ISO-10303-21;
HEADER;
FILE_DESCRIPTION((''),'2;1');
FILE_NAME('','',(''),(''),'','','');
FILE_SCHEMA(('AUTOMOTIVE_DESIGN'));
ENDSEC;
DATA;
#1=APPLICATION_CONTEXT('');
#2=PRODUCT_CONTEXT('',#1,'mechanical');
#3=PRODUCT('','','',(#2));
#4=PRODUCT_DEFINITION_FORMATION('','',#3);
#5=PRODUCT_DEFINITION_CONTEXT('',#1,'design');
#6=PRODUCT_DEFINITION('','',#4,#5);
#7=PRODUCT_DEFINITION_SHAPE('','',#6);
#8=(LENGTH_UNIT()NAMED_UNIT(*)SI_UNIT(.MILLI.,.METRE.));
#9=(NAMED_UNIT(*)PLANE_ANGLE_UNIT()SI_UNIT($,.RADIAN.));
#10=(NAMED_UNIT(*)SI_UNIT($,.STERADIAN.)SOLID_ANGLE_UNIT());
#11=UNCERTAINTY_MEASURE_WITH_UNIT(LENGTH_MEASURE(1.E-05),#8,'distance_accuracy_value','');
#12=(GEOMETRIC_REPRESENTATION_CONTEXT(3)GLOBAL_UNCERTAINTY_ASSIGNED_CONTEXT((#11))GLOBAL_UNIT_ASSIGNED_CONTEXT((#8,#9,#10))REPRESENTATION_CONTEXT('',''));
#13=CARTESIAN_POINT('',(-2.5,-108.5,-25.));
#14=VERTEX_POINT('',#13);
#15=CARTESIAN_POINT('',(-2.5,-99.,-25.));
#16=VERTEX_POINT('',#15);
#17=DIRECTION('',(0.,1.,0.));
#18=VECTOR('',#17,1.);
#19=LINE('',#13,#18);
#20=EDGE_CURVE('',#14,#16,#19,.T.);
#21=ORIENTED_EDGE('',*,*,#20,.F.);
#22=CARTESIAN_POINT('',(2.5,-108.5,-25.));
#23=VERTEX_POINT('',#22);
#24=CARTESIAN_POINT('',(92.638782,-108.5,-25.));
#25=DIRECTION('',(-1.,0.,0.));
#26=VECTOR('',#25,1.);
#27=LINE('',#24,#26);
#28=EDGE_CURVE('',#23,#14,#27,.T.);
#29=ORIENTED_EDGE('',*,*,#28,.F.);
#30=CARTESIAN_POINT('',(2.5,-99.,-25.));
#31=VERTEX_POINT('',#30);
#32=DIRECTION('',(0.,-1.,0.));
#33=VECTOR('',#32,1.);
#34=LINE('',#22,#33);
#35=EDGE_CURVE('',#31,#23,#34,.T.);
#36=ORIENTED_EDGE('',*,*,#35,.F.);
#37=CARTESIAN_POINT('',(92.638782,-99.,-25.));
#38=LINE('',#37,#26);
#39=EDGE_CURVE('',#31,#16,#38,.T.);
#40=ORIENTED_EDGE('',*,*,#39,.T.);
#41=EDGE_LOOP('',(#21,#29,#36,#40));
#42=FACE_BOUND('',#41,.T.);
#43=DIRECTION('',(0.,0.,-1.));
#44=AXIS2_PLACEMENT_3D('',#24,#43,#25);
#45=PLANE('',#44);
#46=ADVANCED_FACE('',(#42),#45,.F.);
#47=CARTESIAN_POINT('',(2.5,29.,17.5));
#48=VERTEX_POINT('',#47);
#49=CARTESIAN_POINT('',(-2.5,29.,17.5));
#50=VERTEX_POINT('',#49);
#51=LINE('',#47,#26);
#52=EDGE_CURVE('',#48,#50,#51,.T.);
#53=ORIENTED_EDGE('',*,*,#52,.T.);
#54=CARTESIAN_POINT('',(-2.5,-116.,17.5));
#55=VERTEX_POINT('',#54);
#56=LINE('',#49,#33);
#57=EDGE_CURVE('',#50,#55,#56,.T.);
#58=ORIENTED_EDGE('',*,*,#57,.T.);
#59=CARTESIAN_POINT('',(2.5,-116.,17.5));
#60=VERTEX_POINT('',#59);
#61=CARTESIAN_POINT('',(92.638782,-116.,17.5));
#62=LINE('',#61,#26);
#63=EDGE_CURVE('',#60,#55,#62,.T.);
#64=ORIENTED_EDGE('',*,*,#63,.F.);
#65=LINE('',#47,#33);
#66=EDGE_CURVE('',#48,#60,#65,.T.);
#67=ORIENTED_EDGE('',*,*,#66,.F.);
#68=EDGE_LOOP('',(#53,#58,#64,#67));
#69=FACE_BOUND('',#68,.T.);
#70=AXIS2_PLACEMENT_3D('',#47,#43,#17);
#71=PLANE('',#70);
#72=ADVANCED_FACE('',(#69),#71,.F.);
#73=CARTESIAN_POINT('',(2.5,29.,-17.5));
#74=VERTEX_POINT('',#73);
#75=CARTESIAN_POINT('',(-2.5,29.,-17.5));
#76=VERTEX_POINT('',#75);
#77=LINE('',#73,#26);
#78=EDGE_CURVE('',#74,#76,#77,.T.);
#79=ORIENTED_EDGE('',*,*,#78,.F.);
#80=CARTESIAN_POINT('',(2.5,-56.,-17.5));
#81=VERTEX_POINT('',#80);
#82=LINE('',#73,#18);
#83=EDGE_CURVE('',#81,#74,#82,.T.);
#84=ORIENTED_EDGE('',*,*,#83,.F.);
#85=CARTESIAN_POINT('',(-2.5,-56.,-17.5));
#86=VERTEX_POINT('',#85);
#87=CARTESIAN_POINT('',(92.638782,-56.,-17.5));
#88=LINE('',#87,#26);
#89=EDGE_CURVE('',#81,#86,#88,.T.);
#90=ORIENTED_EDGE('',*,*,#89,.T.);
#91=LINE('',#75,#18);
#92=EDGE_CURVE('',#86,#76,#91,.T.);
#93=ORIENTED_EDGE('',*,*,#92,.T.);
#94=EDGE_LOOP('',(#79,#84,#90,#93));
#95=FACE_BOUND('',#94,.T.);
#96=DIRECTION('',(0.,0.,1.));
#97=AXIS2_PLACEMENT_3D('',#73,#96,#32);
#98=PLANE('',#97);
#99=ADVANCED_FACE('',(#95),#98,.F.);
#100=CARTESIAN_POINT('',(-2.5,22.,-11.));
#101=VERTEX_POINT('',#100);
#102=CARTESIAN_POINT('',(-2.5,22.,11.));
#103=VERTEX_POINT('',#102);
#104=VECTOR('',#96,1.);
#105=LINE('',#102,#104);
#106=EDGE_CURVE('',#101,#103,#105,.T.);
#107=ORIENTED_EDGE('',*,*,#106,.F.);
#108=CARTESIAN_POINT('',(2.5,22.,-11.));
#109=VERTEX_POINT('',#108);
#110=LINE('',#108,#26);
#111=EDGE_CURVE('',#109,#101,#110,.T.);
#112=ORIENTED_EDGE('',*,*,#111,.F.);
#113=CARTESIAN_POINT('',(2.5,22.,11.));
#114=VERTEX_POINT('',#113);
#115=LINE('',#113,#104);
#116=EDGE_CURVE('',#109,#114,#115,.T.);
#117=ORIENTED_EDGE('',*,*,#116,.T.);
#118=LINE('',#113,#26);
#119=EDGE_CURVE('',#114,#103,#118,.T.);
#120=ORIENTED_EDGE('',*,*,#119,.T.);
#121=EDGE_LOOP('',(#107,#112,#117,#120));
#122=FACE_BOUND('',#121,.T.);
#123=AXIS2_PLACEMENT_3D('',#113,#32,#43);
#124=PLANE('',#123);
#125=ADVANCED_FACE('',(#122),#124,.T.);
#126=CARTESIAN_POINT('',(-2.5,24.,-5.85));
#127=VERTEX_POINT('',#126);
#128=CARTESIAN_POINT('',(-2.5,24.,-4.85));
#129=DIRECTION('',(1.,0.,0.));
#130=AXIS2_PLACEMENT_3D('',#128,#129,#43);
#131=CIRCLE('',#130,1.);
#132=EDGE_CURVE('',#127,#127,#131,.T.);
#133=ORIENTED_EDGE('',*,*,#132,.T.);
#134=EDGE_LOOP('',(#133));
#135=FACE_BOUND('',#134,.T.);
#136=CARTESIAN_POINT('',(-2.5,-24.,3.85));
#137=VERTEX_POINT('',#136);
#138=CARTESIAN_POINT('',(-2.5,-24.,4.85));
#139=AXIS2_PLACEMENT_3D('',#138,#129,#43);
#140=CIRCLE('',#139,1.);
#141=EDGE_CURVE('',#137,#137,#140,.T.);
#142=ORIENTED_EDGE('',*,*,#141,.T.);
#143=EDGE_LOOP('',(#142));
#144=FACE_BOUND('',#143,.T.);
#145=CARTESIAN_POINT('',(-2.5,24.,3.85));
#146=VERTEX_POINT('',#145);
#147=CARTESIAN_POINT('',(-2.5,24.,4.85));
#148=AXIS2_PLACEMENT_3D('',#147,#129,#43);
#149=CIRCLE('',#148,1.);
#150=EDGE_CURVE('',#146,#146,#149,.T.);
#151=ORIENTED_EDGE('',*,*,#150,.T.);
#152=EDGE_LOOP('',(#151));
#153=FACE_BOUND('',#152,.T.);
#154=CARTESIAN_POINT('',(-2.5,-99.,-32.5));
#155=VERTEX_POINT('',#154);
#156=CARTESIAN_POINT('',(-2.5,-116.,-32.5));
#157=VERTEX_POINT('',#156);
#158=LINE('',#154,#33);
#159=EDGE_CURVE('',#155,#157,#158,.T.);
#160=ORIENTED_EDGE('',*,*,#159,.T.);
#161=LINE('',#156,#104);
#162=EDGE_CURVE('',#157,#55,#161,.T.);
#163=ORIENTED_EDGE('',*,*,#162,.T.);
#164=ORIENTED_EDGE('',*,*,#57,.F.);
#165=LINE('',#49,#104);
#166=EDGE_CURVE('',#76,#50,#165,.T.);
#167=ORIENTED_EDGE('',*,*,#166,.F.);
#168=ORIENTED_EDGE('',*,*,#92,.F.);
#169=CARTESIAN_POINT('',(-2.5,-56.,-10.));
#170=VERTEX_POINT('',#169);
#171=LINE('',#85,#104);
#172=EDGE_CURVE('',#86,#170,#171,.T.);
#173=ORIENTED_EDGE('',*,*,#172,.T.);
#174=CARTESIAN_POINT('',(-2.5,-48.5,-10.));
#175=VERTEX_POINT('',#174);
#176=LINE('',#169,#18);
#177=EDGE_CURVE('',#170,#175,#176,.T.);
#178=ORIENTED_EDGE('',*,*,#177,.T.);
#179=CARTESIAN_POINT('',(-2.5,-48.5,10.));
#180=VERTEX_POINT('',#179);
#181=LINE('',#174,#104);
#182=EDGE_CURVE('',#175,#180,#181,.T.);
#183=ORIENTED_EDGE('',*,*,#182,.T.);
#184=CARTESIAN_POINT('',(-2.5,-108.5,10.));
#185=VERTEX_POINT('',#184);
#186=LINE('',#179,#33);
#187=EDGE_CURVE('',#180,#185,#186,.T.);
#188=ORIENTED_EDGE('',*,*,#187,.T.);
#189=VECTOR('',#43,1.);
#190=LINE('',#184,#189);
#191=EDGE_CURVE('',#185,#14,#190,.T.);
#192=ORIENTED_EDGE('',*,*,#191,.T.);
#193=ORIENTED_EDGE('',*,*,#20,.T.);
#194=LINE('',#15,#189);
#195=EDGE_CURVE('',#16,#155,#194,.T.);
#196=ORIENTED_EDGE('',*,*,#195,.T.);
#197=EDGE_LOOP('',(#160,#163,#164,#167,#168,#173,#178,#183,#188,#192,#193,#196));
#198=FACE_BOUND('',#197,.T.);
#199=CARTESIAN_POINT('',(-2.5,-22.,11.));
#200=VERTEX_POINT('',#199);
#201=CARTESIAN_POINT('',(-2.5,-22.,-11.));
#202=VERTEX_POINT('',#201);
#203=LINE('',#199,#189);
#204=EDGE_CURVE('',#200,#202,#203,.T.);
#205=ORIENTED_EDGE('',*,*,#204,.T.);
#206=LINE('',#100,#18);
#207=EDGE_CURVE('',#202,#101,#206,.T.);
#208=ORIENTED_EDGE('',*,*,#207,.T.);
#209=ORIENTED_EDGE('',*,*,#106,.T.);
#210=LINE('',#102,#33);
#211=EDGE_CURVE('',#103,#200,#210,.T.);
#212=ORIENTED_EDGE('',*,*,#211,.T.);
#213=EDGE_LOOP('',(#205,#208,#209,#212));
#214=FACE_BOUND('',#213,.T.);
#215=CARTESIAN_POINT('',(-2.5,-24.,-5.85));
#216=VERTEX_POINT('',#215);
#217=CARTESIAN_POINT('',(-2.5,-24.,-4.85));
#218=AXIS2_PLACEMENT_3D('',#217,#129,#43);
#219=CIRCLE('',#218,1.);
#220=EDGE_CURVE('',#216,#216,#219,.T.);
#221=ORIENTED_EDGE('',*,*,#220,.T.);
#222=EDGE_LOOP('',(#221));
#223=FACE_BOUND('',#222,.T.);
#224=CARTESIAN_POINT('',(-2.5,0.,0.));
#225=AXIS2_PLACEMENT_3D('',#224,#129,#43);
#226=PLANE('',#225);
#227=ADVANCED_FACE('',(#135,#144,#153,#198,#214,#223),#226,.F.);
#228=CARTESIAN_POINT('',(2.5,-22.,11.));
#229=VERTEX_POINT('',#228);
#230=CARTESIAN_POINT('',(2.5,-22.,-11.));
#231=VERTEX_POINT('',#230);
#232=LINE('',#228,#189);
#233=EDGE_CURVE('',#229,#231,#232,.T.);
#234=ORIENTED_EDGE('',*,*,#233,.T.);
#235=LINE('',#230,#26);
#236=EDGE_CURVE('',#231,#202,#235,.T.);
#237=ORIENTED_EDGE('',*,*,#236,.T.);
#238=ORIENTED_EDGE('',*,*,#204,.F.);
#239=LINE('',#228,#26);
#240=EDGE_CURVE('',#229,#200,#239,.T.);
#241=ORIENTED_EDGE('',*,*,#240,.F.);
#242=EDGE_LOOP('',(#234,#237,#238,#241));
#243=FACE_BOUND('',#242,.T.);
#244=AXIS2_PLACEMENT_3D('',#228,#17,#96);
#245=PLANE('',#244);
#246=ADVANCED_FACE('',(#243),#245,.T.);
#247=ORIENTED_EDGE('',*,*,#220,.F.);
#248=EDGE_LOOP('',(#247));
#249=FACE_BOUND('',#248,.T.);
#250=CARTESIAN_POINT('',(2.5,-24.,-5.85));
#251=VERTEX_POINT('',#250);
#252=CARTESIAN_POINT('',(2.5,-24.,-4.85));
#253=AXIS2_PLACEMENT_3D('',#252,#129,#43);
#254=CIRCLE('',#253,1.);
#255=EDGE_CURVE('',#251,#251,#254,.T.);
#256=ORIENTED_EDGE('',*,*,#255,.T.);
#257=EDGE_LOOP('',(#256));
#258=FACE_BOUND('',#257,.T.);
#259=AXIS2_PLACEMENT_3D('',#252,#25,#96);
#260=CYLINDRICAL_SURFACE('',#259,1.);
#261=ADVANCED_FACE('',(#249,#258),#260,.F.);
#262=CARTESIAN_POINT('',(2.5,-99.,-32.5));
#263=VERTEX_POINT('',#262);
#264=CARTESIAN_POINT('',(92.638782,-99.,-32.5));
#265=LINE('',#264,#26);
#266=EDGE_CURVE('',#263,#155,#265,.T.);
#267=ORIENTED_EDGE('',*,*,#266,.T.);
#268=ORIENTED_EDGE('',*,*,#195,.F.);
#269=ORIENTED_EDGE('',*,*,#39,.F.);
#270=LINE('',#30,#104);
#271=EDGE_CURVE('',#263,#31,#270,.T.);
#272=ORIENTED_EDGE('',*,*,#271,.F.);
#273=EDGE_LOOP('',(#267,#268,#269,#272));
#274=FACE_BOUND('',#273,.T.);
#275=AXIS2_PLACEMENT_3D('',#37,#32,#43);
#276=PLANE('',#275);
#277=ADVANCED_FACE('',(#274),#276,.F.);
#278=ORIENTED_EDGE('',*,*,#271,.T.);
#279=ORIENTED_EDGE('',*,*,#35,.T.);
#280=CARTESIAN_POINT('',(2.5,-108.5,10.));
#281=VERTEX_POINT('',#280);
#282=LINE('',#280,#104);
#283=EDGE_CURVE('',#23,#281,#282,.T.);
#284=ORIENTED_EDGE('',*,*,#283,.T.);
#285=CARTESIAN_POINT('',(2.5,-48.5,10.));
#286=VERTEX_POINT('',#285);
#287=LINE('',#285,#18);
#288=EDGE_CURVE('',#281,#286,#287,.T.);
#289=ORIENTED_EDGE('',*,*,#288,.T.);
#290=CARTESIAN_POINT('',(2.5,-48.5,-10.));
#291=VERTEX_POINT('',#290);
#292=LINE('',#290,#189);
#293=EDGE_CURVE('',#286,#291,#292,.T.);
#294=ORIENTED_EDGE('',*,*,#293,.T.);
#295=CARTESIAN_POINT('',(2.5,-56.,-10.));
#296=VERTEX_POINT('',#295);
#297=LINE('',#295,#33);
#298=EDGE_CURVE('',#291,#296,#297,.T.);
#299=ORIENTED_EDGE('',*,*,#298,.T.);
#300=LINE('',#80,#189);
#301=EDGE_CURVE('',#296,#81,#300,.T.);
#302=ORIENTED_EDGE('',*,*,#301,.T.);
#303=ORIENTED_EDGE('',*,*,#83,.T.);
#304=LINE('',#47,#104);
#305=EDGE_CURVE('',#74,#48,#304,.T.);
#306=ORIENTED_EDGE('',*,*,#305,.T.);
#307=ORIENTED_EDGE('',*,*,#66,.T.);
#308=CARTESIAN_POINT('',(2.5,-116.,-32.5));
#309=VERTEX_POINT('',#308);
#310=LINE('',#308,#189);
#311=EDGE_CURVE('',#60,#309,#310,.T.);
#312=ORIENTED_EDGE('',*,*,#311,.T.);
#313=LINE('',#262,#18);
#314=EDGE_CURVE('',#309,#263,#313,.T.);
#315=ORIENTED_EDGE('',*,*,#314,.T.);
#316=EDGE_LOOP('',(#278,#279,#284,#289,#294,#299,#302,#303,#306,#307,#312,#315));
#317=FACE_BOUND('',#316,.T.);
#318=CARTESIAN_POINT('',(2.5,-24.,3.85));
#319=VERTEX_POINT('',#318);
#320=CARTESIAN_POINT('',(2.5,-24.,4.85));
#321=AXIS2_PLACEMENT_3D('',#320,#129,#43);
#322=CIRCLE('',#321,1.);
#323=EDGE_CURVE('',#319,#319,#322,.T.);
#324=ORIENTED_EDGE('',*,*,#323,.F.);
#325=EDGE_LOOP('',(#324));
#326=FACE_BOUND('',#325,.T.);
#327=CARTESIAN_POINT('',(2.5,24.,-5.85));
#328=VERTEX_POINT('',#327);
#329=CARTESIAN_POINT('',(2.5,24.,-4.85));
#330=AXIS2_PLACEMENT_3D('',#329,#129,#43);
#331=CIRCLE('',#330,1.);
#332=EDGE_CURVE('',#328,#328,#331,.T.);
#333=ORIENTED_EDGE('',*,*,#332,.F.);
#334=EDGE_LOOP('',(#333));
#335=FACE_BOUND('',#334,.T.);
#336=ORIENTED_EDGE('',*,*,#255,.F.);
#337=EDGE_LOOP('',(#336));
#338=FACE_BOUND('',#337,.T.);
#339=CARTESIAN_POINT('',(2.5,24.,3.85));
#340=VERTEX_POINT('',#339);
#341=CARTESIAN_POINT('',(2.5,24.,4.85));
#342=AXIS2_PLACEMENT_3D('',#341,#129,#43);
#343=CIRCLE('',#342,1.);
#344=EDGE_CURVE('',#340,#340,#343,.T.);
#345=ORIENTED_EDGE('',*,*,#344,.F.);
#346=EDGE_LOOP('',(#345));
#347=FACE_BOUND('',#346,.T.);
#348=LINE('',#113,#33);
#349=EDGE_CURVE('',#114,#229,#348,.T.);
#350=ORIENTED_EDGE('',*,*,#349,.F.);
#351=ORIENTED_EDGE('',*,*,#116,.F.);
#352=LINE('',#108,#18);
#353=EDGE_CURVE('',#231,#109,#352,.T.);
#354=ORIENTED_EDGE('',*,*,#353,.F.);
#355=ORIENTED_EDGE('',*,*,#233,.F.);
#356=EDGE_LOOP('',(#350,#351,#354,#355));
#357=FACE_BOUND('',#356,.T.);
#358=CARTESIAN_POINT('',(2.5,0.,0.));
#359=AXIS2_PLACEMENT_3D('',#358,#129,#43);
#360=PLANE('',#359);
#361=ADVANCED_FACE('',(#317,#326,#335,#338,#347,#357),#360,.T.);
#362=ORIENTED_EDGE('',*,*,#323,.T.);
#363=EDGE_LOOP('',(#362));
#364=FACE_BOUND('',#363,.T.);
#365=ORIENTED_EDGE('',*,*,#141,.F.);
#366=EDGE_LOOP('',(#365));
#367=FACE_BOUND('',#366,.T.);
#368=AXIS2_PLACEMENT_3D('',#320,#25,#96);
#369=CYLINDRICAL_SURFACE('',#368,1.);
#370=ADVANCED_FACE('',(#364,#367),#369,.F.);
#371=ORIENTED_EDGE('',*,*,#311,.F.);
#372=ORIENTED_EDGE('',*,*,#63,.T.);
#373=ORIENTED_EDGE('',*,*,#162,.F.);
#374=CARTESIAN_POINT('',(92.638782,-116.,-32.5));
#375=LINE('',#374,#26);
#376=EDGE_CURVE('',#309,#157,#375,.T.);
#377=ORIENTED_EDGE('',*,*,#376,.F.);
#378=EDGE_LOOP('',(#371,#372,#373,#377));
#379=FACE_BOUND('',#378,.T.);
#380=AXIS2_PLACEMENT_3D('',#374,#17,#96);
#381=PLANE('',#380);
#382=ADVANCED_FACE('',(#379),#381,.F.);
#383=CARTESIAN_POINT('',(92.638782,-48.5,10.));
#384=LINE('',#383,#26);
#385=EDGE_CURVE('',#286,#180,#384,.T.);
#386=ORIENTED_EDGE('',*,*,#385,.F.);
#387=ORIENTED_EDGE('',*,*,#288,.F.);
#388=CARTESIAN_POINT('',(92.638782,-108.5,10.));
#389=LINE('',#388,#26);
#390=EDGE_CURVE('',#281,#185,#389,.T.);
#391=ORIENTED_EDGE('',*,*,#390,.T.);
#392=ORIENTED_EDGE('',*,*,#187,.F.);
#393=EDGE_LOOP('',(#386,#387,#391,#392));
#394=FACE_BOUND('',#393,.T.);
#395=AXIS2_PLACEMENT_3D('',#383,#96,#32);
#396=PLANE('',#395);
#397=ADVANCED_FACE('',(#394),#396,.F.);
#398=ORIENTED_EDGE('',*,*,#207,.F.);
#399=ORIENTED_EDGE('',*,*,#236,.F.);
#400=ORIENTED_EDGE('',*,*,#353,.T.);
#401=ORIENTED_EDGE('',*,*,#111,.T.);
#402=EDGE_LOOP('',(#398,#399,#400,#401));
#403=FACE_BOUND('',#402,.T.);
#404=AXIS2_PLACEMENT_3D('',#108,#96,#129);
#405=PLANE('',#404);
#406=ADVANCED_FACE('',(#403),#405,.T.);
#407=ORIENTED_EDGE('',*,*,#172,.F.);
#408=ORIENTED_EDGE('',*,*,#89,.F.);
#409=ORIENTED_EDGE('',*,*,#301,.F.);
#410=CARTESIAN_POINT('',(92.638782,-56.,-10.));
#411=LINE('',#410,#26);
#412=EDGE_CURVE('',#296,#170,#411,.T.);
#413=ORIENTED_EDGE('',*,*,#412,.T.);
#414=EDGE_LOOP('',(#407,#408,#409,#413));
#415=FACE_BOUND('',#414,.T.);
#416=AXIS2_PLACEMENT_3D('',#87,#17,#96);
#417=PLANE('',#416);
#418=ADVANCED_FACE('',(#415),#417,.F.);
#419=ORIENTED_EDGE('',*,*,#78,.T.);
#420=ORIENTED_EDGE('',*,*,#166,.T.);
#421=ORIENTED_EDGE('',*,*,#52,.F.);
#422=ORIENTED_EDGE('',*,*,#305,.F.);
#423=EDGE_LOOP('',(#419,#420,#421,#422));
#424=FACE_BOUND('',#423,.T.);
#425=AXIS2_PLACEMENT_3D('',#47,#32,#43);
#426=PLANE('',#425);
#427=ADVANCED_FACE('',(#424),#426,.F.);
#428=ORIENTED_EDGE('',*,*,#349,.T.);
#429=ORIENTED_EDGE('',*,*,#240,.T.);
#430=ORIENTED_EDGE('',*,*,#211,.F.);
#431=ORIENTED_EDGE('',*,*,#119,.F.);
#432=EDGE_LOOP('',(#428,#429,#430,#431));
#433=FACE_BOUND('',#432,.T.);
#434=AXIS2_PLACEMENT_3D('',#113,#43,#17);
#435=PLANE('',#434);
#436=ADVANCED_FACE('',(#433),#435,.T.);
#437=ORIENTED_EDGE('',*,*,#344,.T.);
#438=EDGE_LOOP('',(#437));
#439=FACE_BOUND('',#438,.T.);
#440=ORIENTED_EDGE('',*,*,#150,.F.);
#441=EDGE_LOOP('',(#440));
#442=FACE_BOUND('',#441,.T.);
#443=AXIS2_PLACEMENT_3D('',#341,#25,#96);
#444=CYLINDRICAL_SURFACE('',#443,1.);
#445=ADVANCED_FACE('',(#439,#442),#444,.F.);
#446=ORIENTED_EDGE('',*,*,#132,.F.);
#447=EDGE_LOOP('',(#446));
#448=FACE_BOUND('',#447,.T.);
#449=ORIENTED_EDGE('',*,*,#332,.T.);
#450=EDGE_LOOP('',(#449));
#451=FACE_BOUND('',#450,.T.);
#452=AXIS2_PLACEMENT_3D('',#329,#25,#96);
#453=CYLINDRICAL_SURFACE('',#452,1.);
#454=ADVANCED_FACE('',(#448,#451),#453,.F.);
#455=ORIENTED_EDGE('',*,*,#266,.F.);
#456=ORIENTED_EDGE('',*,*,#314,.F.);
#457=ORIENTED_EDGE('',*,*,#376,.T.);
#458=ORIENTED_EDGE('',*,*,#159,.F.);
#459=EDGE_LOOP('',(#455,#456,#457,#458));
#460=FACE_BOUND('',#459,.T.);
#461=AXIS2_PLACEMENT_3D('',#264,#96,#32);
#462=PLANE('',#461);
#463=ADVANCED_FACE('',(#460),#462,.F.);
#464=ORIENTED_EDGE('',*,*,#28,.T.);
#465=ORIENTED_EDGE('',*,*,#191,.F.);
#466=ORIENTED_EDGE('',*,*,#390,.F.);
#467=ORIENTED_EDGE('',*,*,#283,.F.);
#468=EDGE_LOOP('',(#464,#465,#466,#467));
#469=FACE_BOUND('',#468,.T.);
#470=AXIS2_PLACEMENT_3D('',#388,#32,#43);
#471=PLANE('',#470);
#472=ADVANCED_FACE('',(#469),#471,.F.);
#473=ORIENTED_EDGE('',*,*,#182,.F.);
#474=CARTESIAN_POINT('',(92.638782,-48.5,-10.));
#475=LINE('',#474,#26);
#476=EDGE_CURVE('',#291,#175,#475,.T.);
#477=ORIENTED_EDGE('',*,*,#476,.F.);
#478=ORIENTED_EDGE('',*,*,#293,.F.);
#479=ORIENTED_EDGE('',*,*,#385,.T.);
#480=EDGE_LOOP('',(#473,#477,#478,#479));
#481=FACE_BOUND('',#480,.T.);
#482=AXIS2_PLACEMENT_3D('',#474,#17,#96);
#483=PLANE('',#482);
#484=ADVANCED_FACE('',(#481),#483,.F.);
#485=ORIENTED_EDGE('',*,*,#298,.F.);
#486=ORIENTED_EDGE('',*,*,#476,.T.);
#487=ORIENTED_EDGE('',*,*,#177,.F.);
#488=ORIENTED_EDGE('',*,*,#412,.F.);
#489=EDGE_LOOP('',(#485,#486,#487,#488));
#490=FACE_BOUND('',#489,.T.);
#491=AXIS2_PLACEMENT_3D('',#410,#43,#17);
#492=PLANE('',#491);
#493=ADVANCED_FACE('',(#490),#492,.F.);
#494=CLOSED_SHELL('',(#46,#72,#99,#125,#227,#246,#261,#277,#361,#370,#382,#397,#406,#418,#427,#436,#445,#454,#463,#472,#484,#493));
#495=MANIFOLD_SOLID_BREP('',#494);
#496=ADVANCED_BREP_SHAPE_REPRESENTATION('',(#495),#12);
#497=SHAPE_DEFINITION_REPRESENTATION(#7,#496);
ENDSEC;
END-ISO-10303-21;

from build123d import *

# Parameters (mm, degrees)
SKETCH1_W           = 35
SKETCH1_H           = 70
SKETCH1_R           = 1
SKETCH1_W_2         = 22
SKETCH1_H_2         = 44
BOSS_EXTRUDE1_DEPTH = 2.5
BOSS_EXTRUDE2_START = -2.5
BOSS_EXTRUDE2_DEPTH = 5


with BuildPart() as part:
    # Sketch1 → Boss-Extrude1 (new, symmetric)
    with BuildSketch(Plane(origin=(0, 0, 0), x_dir=(0, 0, -1), z_dir=(1, 0, 0))):
        with Locations((0, -6)):
            Rectangle(SKETCH1_W, SKETCH1_H)
        with Locations((-4.85, -24)):
            Circle(SKETCH1_R, mode=Mode.SUBTRACT)
        with Locations((4.85, -24)):
            Circle(SKETCH1_R, mode=Mode.SUBTRACT)
        with Locations((4.85, 24)):
            Circle(SKETCH1_R, mode=Mode.SUBTRACT)
        with Locations((-4.85, 24)):
            Circle(SKETCH1_R, mode=Mode.SUBTRACT)
        Rectangle(SKETCH1_W_2, SKETCH1_H_2, mode=Mode.SUBTRACT)
    extrude(amount=BOSS_EXTRUDE1_DEPTH, both=True)

    # Sketch2 → Boss-Extrude2 (add)
    with BuildSketch(Plane(origin=(0, 0, 0), x_dir=(0, 0, -1), z_dir=(1, 0, 0)).offset(BOSS_EXTRUDE2_START)):
        Polygon((17.5, -41), (17.5, -56), (10, -56), (10, -48.5), (-10, -48.5), (-10, -108.5), (25, -108.5), (25, -99), (32.5, -99), (32.5, -116), (-17.5, -116), (-17.5, -41), align=None)
    extrude(amount=BOSS_EXTRUDE2_DEPTH)


solid = part.part
